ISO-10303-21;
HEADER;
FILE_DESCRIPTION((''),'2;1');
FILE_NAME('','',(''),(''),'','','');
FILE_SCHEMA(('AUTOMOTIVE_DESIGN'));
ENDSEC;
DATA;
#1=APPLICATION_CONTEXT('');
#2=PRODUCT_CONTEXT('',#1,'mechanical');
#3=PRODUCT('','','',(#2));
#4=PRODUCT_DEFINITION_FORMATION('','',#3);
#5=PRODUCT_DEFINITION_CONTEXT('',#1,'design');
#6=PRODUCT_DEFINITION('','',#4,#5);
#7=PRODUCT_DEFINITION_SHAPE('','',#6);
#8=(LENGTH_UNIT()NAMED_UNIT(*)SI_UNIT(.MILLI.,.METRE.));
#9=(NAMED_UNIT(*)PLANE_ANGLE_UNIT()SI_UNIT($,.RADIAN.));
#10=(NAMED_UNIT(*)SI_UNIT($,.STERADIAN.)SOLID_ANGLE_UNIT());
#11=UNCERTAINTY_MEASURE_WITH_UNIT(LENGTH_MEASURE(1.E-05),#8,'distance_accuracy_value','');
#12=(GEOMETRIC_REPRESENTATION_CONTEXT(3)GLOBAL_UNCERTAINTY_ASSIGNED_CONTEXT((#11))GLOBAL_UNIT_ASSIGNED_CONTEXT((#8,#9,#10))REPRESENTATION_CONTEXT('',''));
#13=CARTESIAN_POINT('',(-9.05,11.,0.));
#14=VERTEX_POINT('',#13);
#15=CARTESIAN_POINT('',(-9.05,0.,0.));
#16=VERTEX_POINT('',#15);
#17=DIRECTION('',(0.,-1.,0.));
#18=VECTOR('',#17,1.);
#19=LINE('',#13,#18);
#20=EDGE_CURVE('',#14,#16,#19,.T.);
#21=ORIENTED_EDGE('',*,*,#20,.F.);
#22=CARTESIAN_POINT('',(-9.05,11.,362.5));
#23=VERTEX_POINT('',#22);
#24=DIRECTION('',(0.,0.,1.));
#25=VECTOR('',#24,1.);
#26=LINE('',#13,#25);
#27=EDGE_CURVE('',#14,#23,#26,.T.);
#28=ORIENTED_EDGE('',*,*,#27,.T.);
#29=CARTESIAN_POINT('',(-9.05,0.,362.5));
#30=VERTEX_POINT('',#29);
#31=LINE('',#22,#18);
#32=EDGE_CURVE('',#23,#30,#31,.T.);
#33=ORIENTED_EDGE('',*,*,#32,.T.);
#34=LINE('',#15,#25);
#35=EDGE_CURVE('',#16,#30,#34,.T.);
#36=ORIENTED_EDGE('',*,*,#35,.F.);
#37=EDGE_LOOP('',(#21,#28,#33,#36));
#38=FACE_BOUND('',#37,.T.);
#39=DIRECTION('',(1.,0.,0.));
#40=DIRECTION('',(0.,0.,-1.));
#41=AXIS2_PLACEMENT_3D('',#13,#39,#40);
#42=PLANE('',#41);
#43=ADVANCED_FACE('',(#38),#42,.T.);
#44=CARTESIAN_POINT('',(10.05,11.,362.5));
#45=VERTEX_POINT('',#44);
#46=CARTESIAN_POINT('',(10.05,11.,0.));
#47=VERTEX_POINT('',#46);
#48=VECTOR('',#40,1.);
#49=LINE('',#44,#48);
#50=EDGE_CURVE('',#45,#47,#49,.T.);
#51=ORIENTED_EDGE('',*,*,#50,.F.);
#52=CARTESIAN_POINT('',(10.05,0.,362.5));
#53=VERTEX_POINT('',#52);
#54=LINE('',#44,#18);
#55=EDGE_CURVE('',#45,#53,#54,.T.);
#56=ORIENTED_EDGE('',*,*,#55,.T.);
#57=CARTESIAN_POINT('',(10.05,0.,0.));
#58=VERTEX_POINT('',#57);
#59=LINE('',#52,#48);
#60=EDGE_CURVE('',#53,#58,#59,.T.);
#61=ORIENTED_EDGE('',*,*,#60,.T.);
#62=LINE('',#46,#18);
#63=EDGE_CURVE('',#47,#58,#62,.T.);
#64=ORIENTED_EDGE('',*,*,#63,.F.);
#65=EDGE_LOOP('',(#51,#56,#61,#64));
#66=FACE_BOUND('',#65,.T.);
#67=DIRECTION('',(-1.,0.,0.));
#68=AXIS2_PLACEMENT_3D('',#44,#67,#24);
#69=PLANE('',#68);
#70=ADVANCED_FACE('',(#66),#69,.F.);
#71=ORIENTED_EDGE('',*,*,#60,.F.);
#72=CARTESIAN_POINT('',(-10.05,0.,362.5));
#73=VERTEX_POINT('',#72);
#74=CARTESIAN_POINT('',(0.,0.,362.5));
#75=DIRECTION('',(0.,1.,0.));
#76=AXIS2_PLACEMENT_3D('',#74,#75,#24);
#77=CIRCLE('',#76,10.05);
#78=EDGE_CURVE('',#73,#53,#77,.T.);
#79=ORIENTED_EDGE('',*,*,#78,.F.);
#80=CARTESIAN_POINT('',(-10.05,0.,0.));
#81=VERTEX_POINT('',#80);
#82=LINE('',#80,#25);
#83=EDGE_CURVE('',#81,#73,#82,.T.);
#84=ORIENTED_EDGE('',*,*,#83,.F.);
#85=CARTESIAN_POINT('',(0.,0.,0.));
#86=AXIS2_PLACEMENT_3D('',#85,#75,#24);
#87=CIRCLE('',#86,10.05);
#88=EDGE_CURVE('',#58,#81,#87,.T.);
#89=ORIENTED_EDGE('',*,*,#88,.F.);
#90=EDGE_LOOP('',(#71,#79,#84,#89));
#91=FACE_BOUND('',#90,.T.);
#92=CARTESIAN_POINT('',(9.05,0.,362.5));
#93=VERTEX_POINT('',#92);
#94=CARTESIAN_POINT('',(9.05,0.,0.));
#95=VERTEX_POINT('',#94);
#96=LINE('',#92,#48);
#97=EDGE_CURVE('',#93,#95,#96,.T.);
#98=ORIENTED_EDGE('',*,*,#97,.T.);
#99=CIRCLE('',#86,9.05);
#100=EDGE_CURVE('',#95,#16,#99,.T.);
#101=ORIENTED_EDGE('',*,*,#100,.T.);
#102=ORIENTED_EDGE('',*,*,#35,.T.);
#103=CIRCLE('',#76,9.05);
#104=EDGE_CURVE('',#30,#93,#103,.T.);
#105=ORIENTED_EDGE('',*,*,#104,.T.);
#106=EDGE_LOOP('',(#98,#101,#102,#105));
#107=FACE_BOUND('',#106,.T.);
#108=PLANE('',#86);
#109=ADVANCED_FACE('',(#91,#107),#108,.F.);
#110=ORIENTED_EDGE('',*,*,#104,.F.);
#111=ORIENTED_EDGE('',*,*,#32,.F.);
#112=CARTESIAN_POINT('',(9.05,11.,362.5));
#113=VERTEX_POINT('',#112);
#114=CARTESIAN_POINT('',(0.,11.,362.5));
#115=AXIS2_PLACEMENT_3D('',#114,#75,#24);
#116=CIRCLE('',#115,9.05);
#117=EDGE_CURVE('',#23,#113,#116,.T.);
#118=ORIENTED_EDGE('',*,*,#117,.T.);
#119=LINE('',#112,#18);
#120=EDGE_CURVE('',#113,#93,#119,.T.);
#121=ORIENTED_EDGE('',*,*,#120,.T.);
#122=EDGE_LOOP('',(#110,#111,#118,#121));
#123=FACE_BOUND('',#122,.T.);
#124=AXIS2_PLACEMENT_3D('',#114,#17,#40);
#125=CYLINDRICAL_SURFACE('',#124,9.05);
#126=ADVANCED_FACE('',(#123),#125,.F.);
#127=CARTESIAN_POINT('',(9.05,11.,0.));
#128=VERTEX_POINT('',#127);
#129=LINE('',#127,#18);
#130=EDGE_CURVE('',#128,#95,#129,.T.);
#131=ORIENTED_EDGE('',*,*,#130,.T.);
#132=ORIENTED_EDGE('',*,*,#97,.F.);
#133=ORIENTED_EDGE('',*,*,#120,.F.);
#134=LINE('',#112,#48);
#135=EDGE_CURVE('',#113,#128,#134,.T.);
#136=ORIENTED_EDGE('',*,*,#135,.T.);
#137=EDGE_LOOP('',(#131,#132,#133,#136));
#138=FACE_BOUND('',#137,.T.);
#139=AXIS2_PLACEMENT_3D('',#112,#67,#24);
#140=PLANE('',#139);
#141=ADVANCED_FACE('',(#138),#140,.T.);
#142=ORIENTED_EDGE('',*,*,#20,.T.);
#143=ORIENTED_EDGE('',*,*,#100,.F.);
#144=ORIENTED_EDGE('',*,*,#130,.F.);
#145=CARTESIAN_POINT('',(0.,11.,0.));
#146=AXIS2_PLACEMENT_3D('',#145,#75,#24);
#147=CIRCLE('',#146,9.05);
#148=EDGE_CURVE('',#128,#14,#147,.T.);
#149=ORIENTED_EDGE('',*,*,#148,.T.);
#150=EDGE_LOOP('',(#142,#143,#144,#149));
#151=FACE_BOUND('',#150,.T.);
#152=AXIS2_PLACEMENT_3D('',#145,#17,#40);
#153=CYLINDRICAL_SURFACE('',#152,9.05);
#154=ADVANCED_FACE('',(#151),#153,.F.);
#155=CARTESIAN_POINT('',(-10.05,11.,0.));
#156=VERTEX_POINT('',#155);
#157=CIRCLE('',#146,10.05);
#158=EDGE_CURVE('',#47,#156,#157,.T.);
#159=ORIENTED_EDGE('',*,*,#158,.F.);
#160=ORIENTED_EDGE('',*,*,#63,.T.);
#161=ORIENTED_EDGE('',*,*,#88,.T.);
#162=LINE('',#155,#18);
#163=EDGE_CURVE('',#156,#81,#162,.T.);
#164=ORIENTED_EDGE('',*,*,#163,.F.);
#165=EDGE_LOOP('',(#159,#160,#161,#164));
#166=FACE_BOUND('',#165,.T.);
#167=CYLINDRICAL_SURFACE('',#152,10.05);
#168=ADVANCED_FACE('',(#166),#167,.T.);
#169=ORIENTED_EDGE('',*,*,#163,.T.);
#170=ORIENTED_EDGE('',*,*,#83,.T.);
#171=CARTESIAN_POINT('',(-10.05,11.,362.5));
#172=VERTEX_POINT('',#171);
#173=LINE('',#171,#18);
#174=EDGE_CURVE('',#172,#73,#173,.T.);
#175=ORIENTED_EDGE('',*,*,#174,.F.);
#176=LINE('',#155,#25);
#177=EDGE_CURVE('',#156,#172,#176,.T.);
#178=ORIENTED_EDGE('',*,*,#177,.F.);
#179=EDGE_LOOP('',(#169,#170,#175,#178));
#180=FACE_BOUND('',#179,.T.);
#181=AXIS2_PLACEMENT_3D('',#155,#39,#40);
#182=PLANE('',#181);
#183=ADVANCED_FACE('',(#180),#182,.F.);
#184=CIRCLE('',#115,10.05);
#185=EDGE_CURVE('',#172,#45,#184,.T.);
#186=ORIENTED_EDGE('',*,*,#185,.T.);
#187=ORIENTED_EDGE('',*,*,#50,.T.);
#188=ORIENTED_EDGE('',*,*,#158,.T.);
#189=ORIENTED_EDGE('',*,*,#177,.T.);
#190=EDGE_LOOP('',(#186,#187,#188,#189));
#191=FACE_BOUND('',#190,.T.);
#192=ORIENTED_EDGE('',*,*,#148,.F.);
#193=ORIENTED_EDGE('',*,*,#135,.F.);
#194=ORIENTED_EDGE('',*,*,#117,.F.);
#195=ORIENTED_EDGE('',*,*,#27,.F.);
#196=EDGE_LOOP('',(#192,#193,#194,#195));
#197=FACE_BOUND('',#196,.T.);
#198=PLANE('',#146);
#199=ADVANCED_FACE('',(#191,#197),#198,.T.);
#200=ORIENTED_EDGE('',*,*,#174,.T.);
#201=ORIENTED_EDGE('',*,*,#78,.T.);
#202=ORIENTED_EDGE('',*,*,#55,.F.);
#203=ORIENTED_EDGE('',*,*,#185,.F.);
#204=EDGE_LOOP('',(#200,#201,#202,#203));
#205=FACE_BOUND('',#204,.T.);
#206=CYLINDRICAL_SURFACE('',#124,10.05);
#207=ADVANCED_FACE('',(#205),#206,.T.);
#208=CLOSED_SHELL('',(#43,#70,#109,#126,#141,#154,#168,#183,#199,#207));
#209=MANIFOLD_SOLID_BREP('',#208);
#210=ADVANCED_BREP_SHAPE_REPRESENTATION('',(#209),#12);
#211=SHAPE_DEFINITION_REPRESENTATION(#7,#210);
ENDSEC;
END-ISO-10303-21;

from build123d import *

# Parameters (mm, degrees)
BOSS_EXTRUDE1_DEPTH = 11


with BuildPart() as part:
    # Sketch1 → Boss-Extrude1 (new body)
    with BuildSketch(Plane(origin=(0, 0, 0), x_dir=(1, 0, 0), z_dir=(0, 1, 0))):
        with BuildLine():
            Line((-10.05, 0), (-10.05, -362.5))
            ThreePointArc((-10.05, -362.5), (0, -372.55), (10.05, -362.5))
            Line((10.05, -362.5), (10.05, 0))
            ThreePointArc((10.05, 0), (0, 10.05), (-10.05, 0))
        make_face()
        with BuildLine():
            Line((-9.05, 0), (-9.05, -362.5))
            ThreePointArc((-9.05, -362.5), (0, -371.55), (9.05, -362.5))
            Line((9.05, -362.5), (9.05, 0))
            ThreePointArc((9.05, 0), (0, 9.05), (-9.05, 0))
        make_face(mode=Mode.SUBTRACT)
    extrude(amount=BOSS_EXTRUDE1_DEPTH)


solid = part.part
